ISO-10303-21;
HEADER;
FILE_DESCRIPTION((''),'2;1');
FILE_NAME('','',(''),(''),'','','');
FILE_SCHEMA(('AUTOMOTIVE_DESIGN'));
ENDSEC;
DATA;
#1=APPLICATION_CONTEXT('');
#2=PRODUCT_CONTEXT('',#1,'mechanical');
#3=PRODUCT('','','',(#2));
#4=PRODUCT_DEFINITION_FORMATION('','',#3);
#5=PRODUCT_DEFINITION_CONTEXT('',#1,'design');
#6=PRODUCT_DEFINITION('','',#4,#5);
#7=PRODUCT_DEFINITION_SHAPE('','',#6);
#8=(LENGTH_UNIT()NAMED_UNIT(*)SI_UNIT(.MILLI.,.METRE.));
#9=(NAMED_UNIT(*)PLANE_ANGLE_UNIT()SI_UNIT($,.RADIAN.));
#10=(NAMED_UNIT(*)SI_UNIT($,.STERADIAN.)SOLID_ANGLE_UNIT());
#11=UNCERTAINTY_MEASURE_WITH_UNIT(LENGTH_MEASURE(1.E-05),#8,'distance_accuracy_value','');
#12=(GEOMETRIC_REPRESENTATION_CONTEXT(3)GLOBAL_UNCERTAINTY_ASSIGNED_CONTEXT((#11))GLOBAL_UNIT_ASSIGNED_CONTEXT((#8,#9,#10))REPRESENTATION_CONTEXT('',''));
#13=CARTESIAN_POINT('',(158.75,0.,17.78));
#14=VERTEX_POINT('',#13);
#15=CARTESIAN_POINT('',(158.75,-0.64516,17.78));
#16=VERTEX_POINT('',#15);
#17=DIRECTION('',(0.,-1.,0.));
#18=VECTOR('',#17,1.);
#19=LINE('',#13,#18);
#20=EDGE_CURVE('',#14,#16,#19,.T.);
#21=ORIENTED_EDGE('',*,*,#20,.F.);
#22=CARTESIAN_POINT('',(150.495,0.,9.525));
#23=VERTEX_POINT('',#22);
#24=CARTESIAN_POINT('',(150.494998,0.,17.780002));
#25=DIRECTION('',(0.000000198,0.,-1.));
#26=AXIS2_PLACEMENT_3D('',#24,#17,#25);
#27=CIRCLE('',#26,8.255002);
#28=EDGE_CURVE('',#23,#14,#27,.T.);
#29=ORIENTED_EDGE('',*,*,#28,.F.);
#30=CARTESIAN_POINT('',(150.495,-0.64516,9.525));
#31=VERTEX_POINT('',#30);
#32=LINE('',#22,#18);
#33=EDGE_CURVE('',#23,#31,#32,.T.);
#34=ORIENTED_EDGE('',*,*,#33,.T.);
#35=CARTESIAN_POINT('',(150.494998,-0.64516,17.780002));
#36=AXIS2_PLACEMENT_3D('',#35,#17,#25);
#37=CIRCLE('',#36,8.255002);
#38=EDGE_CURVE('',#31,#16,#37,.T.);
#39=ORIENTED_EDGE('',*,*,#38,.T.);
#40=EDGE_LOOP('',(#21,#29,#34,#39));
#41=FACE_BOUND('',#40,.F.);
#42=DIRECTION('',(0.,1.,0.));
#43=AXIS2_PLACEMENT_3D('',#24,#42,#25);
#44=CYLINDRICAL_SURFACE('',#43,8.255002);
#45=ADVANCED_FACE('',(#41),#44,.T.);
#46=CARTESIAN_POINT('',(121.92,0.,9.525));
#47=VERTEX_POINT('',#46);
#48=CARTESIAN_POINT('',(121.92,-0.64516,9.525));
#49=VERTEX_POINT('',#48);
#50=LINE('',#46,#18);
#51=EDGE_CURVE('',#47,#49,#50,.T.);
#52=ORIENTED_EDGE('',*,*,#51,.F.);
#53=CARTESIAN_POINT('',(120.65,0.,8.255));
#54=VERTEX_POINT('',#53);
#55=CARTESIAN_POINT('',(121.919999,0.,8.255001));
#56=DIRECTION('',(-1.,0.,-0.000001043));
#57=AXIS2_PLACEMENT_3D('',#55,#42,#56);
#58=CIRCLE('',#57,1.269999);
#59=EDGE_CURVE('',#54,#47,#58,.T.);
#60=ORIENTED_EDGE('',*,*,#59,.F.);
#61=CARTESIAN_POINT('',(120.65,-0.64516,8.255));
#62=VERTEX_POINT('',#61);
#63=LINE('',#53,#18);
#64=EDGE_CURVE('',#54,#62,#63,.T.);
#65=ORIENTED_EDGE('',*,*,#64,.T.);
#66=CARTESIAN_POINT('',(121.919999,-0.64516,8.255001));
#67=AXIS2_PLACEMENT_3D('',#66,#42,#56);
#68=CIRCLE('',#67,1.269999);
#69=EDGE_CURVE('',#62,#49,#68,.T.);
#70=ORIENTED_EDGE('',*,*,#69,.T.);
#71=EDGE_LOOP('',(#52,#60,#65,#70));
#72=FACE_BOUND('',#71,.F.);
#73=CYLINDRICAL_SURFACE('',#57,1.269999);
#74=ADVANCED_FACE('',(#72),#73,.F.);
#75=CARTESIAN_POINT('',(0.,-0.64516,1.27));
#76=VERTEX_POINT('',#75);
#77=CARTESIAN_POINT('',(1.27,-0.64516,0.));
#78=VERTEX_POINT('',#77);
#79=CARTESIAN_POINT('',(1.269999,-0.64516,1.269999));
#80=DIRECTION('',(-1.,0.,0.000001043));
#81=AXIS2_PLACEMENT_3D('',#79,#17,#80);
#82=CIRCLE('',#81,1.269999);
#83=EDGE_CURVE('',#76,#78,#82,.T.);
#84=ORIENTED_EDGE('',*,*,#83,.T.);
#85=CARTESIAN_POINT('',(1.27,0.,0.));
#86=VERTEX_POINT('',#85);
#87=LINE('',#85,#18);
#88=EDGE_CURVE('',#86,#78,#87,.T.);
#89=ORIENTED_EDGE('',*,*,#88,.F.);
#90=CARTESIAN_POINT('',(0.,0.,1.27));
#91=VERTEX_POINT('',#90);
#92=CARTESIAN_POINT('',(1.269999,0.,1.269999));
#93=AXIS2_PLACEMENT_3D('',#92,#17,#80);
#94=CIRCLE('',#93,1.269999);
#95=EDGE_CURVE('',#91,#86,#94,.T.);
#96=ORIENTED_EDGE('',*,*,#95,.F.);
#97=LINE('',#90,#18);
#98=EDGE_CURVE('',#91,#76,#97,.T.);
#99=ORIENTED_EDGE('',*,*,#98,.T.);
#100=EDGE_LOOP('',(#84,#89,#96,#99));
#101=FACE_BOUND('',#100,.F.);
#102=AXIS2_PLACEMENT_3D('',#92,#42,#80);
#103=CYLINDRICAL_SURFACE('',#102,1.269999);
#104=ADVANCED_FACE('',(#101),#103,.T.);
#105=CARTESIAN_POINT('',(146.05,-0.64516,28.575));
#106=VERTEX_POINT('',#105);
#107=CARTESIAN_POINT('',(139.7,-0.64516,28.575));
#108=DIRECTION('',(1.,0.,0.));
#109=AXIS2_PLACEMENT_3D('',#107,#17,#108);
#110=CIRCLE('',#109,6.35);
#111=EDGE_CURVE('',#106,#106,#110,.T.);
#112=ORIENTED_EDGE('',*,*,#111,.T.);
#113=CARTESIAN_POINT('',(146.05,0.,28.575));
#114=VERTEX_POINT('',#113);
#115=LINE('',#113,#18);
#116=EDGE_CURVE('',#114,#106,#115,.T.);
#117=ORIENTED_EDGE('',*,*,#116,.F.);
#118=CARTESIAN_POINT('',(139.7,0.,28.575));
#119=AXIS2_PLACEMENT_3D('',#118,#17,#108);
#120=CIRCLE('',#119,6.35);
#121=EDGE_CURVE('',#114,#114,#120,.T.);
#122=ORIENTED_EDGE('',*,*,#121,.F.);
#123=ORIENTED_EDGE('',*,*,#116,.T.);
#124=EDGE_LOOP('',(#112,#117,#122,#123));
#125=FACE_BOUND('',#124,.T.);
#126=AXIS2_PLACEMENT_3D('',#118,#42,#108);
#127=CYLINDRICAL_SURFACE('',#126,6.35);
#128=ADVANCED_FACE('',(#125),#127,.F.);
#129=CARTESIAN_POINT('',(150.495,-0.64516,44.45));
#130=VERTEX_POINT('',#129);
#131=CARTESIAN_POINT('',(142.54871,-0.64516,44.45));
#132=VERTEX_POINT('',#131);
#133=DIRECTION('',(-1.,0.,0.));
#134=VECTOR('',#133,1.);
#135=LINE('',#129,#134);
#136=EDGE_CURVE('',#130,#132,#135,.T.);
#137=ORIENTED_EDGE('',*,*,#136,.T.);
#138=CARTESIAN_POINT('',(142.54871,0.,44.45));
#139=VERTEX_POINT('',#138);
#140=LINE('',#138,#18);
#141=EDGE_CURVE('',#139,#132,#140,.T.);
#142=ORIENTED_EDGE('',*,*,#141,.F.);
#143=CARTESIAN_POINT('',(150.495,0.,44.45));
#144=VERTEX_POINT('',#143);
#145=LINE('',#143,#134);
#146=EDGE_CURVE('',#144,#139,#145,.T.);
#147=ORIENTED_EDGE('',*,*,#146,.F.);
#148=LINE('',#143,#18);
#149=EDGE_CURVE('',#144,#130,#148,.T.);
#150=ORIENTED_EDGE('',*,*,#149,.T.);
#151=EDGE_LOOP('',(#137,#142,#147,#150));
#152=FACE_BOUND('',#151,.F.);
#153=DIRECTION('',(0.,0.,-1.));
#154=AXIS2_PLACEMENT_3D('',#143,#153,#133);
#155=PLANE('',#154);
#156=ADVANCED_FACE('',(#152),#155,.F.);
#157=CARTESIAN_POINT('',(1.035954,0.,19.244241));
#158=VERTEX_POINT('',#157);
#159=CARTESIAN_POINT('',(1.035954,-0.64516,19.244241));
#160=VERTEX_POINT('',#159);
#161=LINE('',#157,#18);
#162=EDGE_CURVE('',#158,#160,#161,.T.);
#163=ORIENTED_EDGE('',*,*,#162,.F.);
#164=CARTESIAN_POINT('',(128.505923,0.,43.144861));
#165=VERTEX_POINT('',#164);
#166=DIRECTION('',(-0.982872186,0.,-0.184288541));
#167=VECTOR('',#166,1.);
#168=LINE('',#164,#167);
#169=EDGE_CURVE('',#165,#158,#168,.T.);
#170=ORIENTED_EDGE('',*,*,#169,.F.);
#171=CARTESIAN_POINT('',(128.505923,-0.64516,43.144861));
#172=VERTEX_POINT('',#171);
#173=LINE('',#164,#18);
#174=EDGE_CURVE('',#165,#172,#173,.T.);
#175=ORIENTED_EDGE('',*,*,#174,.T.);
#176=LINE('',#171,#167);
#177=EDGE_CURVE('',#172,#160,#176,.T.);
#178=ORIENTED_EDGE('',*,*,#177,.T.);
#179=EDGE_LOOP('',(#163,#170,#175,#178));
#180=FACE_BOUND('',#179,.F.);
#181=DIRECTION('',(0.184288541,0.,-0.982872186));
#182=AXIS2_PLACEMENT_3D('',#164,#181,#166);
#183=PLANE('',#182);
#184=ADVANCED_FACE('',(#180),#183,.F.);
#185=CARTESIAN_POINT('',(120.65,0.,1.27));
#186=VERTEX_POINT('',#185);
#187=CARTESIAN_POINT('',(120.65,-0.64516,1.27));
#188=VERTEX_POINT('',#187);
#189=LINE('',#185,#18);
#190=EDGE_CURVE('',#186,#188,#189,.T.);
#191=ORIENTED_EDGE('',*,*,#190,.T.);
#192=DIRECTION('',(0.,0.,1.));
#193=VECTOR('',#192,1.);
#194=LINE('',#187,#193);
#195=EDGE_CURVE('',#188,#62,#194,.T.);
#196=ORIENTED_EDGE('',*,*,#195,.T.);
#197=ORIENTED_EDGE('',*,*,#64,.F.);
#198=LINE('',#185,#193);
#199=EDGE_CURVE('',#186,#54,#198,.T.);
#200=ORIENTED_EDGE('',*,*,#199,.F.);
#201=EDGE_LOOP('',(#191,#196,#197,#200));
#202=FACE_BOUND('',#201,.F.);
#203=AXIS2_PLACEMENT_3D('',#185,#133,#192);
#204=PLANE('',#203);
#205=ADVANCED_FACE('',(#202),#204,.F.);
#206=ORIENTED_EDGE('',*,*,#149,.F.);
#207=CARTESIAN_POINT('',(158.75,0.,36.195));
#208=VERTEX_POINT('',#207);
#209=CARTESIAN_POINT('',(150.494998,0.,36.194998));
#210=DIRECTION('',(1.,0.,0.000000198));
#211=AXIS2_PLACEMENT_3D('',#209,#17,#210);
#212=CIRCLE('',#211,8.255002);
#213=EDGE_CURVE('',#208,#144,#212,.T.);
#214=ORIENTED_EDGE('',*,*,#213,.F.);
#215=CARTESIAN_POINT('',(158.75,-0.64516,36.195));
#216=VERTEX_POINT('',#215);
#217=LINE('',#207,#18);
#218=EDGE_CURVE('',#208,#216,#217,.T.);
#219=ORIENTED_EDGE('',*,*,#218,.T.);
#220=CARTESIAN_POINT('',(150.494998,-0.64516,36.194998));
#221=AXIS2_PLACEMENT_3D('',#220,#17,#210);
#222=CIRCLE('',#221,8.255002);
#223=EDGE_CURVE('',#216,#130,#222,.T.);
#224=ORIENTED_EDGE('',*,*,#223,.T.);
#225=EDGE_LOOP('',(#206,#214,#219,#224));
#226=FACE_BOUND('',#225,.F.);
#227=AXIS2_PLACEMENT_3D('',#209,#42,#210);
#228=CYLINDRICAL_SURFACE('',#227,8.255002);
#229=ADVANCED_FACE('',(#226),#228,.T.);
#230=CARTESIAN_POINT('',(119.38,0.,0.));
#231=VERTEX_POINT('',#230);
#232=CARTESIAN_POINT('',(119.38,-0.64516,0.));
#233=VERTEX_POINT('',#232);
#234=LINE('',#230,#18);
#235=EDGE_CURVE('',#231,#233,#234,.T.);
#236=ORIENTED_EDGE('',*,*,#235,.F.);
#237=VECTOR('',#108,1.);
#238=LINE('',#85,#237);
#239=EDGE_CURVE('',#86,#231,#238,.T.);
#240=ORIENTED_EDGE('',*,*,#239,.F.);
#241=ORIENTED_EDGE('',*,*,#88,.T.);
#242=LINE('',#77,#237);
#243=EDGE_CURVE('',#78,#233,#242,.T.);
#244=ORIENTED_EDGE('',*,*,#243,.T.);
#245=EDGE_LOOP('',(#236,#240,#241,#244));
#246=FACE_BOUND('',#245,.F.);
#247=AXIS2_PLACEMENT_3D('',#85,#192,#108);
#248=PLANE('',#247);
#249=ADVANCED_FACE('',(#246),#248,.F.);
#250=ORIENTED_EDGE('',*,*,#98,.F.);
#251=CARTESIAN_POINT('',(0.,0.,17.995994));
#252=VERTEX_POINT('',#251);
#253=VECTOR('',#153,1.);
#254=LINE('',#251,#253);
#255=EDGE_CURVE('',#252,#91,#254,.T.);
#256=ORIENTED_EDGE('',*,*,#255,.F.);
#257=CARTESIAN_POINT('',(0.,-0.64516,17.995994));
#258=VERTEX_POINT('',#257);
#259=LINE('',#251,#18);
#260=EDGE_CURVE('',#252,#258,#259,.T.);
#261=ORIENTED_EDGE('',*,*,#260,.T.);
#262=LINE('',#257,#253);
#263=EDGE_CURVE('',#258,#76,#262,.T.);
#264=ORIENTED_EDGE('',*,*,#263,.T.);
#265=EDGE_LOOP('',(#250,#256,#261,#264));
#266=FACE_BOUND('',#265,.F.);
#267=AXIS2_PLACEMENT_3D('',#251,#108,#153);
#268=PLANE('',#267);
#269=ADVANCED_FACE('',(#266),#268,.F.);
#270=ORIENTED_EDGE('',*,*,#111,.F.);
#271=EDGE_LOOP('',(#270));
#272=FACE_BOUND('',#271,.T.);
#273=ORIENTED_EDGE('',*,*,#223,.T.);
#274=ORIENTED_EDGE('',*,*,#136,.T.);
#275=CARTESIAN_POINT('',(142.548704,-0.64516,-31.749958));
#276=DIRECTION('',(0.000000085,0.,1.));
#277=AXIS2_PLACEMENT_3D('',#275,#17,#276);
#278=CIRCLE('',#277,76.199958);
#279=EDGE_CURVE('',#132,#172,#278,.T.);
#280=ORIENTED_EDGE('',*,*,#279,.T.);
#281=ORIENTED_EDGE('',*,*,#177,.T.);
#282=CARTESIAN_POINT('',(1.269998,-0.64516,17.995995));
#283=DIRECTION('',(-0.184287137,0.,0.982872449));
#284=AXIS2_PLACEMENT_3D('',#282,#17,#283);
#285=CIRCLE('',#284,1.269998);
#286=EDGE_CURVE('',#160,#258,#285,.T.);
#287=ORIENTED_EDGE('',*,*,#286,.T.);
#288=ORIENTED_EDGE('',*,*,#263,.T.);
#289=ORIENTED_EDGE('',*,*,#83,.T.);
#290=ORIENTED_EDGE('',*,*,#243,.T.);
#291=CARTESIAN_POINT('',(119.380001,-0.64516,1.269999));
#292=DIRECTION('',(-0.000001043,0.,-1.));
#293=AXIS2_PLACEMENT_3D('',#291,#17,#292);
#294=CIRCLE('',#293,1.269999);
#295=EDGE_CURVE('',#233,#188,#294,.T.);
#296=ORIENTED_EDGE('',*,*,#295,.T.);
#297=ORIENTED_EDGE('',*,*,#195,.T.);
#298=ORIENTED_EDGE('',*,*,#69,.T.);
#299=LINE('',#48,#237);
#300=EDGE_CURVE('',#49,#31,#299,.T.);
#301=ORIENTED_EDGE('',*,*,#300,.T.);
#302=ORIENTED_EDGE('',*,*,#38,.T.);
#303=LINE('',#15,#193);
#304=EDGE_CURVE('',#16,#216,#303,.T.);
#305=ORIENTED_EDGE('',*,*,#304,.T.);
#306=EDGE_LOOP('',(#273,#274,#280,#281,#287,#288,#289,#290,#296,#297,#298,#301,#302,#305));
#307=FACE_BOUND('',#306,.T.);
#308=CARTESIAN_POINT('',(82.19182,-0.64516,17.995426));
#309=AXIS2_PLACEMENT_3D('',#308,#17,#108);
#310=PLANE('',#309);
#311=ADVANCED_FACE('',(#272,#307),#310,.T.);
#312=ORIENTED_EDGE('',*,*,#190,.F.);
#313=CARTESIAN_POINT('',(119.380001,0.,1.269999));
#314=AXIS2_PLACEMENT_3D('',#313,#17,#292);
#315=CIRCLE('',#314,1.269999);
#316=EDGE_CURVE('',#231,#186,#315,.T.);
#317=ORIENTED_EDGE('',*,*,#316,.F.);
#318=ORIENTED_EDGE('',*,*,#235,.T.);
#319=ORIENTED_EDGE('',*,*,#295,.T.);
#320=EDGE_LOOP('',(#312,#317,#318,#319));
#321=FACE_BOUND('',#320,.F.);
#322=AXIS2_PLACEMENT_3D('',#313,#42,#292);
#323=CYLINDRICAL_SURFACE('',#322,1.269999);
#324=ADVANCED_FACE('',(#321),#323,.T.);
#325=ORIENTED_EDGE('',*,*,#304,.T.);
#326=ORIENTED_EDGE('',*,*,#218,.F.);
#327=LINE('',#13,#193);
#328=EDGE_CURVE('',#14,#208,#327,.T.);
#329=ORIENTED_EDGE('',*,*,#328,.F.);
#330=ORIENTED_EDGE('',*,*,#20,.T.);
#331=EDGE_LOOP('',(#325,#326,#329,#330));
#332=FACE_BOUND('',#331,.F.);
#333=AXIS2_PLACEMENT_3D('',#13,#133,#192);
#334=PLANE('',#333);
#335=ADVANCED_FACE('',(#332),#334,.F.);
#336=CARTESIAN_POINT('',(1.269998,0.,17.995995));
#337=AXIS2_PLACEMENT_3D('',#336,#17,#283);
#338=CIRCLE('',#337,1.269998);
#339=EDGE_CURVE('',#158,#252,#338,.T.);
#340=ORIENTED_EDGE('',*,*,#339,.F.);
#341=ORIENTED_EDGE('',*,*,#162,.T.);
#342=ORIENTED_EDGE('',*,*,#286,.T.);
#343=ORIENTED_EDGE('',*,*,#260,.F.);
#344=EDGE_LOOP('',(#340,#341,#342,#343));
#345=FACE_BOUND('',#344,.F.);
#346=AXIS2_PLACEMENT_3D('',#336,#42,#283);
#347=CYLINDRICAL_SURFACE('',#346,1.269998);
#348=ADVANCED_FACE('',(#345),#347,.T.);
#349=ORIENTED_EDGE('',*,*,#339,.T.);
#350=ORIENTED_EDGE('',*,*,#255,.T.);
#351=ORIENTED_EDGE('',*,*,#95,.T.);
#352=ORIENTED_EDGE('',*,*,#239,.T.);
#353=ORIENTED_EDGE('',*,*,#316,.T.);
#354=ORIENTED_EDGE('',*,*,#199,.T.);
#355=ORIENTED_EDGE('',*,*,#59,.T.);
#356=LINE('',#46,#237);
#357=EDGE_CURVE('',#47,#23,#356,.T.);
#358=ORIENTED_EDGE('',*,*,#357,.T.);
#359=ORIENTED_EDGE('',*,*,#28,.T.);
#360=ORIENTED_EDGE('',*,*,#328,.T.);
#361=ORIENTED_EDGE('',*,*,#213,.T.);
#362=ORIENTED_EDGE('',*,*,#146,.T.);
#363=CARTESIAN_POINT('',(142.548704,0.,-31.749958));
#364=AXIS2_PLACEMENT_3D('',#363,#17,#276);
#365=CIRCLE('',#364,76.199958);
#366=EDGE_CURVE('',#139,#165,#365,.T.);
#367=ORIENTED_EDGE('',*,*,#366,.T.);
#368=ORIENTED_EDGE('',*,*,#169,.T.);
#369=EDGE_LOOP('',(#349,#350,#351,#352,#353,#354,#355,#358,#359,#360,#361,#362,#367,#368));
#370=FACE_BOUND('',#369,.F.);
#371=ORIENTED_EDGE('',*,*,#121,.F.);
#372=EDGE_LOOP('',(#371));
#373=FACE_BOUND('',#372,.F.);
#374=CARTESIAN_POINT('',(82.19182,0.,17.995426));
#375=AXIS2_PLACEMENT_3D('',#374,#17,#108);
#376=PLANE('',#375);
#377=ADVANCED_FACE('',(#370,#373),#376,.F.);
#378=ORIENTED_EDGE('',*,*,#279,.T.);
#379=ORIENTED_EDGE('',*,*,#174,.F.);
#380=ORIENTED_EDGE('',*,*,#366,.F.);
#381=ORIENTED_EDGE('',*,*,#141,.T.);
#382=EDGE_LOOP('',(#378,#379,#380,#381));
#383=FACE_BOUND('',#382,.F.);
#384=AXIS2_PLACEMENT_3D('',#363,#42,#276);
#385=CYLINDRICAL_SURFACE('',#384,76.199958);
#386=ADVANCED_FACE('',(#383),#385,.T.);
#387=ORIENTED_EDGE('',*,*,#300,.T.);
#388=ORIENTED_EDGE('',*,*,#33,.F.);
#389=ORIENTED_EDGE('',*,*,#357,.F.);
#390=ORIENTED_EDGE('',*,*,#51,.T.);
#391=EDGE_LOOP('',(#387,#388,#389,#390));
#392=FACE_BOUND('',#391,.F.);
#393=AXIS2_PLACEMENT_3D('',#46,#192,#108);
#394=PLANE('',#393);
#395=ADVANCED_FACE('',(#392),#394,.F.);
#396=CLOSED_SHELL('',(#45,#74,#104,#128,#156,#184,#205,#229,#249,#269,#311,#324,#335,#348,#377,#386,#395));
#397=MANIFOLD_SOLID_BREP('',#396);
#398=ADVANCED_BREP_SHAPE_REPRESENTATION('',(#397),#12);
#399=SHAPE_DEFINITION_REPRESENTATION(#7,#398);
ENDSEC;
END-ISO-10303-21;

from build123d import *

# Parameters (mm, degrees)
F0_R     = 6.35
F1_DEPTH = 0.64516


with BuildPart() as f1:
    # F0 (on Front) → F1 (new body)
    with BuildSketch(Plane.XZ):
        with BuildLine():
            ThreePointArc((0, 1.27), (0.371974, 0.371974), (1.27, 0))
            Line((1.27, 0), (119.38, 0))
            ThreePointArc((119.38, 0), (120.278026, 0.371974), (120.65, 1.27))
            Line((120.65, 1.27), (120.65, 8.255))
            ThreePointArc((120.65, 8.255), (121.021974, 9.153026), (121.92, 9.525))
            Line((121.92, 9.525), (150.495, 9.525))
            ThreePointArc((150.495, 9.525), (156.332166, 11.942834), (158.75, 17.78))
            Line((158.75, 17.78), (158.75, 36.195))
            ThreePointArc((158.75, 36.195), (156.332166, 42.032166), (150.495, 44.45))
            Line((150.495, 44.45), (142.54871, 44.45))
            ThreePointArc((142.54871, 44.45), (135.497057, 44.123014), (128.505923, 43.144861))
            Line((128.505923, 43.144861), (1.035954, 19.244241))
            ThreePointArc((1.035954, 19.244241), (0.292723, 18.807061), (0, 17.995994))
            Line((0, 17.995994), (0, 1.27))
        make_face()
        with Locations((139.7, 28.575)):
            Circle(F0_R, mode=Mode.SUBTRACT)
    extrude(amount=F1_DEPTH)


solid = f1.part
